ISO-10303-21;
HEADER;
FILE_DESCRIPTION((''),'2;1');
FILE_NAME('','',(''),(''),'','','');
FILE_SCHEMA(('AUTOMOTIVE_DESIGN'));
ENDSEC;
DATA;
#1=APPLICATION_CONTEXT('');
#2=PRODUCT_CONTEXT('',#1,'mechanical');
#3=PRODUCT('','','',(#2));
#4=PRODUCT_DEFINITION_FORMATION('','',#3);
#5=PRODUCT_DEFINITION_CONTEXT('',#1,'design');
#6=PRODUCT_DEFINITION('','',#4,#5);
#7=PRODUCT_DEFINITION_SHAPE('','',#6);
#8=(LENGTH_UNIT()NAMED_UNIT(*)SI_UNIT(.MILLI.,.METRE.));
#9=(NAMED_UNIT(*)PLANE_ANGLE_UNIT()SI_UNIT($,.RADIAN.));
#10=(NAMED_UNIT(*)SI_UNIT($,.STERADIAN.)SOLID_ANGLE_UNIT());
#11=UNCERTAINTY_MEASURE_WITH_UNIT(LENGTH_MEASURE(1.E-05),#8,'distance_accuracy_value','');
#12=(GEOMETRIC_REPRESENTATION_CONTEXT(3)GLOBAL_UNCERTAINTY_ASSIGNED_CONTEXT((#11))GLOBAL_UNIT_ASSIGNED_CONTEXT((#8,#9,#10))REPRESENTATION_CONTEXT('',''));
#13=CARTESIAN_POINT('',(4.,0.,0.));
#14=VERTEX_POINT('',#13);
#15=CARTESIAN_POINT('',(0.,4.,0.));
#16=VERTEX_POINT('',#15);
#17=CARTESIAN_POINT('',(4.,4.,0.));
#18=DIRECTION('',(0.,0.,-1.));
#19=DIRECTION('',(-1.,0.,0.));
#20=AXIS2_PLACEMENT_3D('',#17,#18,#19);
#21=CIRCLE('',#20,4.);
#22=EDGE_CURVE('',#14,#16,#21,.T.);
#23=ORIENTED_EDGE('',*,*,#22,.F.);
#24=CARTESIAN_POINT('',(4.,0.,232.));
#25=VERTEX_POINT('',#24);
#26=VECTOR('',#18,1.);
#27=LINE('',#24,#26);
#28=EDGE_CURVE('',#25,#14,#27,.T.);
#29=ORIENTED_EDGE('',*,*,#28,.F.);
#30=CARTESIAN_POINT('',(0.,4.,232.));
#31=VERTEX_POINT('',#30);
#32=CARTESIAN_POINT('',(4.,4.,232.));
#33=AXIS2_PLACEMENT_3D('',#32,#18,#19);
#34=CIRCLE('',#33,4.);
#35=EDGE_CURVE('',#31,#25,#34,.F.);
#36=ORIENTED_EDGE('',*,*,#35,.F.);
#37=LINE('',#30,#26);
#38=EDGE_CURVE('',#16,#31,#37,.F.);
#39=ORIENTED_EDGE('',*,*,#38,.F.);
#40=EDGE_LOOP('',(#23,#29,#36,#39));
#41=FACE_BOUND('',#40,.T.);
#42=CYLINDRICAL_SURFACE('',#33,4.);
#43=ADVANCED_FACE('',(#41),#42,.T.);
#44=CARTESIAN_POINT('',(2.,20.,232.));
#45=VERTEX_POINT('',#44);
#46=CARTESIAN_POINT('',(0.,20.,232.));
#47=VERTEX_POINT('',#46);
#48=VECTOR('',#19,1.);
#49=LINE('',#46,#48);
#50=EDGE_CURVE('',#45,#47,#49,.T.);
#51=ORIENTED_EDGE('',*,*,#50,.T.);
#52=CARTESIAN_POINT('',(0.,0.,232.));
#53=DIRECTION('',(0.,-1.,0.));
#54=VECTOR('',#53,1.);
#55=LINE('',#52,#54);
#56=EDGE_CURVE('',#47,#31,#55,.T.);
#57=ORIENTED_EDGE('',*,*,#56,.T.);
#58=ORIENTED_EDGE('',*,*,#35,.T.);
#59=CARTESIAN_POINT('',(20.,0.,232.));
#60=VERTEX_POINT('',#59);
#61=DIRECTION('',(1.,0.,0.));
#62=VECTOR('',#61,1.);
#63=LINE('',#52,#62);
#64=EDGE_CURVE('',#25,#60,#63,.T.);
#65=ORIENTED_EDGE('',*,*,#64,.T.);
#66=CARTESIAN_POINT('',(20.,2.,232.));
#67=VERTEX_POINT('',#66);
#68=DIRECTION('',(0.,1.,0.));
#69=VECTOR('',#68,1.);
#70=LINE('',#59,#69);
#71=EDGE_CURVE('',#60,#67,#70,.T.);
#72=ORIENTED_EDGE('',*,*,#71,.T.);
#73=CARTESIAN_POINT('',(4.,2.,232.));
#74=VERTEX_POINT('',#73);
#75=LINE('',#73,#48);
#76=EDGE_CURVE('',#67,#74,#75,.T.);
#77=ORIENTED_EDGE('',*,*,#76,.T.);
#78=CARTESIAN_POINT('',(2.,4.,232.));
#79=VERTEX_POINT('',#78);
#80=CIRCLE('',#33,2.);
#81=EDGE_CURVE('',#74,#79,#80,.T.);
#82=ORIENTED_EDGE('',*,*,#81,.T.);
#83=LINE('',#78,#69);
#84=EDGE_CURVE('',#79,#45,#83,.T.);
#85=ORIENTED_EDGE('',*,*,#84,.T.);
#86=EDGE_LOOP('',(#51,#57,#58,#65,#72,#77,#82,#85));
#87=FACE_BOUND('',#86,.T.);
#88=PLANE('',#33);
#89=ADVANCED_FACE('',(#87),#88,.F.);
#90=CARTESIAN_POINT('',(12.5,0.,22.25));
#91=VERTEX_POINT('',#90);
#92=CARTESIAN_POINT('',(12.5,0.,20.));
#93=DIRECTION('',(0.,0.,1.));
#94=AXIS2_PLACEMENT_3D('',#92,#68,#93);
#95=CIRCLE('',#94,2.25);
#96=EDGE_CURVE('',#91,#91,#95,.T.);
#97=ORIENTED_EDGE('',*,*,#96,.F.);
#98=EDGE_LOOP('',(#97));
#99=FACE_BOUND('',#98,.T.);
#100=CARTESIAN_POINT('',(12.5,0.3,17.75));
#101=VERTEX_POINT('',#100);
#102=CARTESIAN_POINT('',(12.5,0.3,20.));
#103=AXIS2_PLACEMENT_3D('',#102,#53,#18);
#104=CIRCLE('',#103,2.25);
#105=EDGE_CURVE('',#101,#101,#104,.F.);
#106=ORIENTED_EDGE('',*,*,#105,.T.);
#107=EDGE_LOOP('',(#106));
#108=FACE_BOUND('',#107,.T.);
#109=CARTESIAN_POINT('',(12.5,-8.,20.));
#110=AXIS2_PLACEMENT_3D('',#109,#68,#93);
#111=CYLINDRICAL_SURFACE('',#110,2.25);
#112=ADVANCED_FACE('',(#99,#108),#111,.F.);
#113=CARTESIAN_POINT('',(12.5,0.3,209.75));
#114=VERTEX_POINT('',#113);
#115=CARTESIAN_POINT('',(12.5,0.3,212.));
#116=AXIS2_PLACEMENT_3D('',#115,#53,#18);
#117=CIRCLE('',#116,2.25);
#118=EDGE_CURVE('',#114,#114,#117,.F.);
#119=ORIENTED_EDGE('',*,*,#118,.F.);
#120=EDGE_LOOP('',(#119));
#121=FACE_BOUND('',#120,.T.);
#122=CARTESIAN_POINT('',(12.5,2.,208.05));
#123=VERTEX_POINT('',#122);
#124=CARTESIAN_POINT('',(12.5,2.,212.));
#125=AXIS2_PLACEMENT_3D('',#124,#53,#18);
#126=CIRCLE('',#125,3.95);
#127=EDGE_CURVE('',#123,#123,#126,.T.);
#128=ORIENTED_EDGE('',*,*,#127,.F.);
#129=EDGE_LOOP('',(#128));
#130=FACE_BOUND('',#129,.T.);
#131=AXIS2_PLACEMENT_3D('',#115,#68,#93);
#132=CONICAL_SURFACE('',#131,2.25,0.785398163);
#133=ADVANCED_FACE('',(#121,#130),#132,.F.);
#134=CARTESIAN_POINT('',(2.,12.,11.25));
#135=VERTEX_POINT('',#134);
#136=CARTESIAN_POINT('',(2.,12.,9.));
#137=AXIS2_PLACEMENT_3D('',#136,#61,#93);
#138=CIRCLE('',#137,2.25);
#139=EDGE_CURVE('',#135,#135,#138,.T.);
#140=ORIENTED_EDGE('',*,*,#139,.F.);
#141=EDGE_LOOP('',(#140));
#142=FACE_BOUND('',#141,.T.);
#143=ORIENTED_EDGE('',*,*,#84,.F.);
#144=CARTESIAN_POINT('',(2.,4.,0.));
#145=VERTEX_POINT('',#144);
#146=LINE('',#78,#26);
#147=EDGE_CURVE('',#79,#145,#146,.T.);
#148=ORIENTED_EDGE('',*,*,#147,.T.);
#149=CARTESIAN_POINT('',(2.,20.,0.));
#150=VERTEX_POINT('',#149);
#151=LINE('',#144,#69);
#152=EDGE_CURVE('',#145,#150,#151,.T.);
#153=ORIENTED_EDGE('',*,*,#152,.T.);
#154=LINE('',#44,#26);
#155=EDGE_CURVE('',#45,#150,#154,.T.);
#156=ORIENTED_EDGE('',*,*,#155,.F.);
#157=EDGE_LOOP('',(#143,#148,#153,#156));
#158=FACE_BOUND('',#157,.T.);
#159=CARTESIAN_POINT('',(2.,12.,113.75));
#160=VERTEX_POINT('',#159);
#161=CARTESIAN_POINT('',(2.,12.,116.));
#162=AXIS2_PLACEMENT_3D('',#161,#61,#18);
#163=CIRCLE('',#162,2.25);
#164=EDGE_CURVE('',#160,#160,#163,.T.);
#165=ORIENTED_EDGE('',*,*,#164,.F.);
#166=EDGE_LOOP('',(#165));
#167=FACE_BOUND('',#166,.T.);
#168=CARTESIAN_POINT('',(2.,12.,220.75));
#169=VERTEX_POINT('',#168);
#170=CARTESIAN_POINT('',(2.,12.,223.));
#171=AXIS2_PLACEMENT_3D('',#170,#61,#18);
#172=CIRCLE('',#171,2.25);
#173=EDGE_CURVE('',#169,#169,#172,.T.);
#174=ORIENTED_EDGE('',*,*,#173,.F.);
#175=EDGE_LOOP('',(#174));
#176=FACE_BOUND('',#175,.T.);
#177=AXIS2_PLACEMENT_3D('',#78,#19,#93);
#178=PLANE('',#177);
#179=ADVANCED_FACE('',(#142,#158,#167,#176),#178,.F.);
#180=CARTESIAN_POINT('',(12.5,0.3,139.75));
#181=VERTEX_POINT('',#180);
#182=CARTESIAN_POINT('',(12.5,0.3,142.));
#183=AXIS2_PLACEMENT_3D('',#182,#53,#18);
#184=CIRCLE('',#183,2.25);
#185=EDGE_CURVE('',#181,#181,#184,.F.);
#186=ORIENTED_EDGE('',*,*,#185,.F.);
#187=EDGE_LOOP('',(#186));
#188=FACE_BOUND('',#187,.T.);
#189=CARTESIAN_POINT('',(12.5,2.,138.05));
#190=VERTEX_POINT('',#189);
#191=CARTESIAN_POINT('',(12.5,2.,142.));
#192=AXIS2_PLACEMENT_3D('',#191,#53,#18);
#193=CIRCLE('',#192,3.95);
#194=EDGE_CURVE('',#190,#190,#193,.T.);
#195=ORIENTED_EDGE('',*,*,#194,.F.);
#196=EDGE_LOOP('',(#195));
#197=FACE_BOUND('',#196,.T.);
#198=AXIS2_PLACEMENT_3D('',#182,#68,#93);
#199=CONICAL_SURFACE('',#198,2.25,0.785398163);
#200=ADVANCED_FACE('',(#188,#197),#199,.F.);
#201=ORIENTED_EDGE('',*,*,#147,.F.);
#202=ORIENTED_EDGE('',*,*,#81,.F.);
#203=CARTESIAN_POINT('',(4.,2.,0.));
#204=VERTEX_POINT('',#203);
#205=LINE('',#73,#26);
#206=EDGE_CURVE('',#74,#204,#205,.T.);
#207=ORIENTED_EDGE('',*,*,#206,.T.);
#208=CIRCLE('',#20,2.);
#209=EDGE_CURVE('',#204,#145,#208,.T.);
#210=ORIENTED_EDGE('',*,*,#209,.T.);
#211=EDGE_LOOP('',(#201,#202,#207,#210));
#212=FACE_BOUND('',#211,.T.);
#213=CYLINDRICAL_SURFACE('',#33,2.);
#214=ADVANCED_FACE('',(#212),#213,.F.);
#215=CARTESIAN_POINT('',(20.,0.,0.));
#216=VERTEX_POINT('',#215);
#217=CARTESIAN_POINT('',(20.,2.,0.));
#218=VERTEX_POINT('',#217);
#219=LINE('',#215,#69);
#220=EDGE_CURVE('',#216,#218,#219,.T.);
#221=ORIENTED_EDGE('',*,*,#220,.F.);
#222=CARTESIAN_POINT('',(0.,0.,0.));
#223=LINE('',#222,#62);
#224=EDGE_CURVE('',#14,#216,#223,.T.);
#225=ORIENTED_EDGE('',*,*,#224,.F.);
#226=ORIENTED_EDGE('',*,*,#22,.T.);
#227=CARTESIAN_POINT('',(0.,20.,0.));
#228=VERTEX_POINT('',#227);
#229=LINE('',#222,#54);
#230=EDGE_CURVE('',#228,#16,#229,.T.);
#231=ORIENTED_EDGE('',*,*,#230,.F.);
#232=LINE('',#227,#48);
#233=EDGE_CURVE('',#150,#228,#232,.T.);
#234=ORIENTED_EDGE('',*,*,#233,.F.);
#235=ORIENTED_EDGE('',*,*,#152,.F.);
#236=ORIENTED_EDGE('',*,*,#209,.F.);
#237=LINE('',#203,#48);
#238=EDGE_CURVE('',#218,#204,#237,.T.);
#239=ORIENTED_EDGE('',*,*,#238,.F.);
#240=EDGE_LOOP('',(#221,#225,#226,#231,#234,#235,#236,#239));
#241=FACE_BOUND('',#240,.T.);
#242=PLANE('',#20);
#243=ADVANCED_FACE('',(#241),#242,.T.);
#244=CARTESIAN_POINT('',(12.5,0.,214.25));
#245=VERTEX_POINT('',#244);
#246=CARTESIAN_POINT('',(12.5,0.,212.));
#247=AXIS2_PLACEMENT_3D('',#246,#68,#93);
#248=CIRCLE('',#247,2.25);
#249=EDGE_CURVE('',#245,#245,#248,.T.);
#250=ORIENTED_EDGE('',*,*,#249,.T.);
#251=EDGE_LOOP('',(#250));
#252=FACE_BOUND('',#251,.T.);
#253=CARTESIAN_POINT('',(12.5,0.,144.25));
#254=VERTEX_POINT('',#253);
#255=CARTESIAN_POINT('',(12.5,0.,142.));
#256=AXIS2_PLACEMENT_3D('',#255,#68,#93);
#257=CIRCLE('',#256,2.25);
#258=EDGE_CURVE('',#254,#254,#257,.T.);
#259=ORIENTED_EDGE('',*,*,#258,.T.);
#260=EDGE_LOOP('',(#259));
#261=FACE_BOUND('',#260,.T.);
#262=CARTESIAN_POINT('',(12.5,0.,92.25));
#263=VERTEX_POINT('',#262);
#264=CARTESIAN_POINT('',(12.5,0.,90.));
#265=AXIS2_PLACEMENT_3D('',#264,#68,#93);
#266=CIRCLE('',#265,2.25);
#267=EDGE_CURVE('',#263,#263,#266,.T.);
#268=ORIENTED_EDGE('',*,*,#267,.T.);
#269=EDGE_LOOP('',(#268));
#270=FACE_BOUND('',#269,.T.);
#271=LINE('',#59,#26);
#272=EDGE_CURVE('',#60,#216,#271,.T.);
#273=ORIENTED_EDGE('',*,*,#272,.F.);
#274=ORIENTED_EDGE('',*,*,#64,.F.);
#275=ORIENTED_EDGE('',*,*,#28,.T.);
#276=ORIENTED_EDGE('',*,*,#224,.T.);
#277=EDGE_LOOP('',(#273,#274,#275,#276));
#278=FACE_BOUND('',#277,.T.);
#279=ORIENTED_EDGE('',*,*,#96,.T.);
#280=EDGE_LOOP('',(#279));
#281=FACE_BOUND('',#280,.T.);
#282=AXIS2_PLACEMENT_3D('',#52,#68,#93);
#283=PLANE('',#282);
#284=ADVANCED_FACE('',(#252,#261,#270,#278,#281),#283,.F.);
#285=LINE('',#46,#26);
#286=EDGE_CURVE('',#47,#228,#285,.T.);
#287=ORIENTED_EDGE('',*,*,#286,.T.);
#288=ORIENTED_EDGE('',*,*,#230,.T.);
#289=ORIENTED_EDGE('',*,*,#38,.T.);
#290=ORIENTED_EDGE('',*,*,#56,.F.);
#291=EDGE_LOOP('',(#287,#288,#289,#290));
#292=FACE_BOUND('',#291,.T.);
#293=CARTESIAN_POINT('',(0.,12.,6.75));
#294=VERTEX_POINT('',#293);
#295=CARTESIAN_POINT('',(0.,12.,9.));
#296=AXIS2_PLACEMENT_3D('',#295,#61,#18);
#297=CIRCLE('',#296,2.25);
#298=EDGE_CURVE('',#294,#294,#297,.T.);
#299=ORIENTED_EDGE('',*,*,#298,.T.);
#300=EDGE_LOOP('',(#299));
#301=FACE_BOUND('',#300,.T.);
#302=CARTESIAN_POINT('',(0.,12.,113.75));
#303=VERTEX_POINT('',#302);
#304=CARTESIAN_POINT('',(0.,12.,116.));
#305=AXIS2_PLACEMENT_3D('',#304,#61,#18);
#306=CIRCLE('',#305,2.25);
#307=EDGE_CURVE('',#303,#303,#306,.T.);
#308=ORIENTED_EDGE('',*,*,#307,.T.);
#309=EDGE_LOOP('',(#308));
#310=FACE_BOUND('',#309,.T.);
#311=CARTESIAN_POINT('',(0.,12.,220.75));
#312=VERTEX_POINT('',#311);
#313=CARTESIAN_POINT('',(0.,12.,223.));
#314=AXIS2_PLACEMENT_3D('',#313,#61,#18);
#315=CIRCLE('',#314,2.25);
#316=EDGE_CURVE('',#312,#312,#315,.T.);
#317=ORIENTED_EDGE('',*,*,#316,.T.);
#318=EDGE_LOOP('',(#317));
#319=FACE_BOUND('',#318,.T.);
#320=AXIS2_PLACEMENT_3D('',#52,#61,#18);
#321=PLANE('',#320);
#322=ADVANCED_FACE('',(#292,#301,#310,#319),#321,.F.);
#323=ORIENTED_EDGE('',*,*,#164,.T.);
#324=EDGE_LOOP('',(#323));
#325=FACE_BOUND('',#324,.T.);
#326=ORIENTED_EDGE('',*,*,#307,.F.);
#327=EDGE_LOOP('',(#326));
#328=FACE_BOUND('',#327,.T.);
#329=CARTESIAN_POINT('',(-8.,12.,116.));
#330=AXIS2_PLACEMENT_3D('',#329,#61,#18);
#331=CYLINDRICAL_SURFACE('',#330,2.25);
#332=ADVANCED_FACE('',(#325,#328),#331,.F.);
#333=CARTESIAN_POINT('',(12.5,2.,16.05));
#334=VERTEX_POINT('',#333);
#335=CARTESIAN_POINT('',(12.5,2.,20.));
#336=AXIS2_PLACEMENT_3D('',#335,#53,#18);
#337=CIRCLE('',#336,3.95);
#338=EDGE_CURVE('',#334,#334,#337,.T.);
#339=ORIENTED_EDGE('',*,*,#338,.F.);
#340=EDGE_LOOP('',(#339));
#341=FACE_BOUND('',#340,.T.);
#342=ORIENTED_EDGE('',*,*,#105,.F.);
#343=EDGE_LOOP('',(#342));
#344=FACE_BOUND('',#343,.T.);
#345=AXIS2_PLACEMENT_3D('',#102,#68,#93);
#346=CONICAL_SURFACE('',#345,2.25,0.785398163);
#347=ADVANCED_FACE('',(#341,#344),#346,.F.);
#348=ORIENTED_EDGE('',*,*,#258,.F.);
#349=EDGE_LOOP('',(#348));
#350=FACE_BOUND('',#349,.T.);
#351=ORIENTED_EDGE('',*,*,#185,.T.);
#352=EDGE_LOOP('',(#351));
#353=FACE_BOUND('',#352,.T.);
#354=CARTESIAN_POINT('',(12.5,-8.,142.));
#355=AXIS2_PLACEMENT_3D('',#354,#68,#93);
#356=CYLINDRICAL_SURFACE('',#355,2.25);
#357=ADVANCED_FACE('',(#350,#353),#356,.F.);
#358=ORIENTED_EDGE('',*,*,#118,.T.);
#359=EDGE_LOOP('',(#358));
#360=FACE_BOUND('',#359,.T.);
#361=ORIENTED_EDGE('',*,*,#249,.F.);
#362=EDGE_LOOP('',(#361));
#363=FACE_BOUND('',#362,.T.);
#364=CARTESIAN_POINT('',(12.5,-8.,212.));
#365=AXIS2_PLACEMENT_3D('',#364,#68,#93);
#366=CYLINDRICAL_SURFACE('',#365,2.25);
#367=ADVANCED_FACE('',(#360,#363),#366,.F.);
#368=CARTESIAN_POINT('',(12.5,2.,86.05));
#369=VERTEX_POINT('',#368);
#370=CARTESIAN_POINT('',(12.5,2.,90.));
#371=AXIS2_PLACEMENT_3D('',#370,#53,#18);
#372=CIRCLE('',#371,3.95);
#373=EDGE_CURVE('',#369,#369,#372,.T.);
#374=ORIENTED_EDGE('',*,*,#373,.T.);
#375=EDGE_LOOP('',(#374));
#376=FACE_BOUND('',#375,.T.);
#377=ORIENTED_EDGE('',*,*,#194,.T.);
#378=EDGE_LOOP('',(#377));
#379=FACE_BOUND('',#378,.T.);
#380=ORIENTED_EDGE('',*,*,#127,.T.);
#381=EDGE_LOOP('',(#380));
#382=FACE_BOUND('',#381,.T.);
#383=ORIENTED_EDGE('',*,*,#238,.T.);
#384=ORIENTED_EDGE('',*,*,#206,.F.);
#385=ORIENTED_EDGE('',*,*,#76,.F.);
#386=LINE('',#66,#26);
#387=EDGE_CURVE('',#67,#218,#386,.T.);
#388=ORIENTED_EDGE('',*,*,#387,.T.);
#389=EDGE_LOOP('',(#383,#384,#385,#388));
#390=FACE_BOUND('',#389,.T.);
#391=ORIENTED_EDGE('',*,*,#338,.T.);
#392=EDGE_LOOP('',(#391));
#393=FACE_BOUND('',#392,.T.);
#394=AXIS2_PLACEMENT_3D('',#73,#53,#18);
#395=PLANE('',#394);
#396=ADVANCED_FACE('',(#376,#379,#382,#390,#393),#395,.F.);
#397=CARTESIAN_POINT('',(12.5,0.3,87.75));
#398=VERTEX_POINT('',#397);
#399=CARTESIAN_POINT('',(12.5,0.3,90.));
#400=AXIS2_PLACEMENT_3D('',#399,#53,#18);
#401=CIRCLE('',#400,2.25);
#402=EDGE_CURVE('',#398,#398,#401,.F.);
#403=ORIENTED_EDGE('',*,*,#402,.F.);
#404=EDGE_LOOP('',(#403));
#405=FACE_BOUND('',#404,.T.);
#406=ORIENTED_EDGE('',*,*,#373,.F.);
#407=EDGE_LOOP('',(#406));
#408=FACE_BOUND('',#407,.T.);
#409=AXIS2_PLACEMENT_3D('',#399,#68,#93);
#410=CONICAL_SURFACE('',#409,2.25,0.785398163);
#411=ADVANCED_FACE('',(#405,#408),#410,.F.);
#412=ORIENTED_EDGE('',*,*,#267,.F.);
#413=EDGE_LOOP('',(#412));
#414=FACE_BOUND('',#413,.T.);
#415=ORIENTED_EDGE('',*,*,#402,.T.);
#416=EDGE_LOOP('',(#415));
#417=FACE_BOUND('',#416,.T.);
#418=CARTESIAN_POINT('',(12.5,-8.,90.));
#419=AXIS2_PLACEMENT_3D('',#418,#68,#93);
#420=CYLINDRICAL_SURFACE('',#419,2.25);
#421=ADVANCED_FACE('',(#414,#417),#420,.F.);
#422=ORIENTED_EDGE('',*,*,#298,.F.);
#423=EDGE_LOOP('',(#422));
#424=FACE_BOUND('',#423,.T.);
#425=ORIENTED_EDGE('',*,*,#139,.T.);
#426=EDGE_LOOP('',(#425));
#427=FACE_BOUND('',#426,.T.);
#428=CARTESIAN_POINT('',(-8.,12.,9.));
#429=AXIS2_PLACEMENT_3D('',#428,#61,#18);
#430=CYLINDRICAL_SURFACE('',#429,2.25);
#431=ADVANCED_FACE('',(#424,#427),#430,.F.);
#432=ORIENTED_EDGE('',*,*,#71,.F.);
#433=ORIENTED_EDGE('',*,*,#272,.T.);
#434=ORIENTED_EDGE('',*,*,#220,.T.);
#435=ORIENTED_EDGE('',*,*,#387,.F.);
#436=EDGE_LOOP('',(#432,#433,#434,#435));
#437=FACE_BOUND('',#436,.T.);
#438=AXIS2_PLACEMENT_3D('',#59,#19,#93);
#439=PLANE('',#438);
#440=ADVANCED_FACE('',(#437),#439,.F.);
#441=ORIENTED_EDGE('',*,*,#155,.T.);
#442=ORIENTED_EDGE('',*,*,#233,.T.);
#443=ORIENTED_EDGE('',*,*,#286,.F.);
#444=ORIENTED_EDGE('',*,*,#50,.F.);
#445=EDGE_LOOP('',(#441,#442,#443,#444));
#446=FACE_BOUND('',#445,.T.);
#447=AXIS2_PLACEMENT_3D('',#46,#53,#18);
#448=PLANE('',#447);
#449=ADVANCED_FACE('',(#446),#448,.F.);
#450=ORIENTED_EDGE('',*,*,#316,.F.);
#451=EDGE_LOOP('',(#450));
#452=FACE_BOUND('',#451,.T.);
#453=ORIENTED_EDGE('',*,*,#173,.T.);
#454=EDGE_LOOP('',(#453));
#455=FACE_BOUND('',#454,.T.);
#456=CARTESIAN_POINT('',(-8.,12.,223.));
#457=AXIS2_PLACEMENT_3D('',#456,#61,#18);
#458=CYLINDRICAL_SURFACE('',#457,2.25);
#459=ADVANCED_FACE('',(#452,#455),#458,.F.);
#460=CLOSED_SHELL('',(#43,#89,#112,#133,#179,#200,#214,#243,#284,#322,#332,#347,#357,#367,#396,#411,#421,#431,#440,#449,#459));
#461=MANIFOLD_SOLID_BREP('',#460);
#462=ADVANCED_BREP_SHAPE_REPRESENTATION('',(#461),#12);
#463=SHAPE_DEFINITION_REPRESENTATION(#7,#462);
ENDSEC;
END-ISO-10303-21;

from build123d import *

# Parameters (mm, degrees)
EXTRUDE_1_DEPTH     = 232
SKETCH_2_R          = 2.25
CUT_EXTRUDE_1_DEPTH = 10
SKETCH_3_R          = 2.25
CUT_EXTRUDE_2_DEPTH = 10
CHAMFER_1_SIZE      = 1.7
FILLET_1_R          = 4


with BuildPart() as part:
    # Эскиз1 → Вытянуть1 (new body)
    with BuildSketch(Plane.XY):
        with BuildLine():
            Line((0, 0), (20, 0))
            Line((20, 0), (20, 2))
            Line((20, 2), (4, 2))
            ThreePointArc((4, 2), (2.585786438, 2.585786438), (2, 4))
            Line((2, 4), (2, 20))
            Line((2, 20), (0, 20))
            Line((0, 20), (0, 0))
        make_face()
    extrude(amount=EXTRUDE_1_DEPTH)

    # Эскиз2 → Вырез-Вытянуть1 (cut)
    with BuildSketch(Plane(origin=(2, 0, 0), x_dir=(0, 0, -1), z_dir=(1, 0, 0))):
        with Locations((-223, 12)):
            Circle(SKETCH_2_R)
        with Locations((-9, 12)):
            Circle(SKETCH_2_R)
        with Locations((-116, 12)):
            Circle(SKETCH_2_R)
    extrude(amount=-CUT_EXTRUDE_1_DEPTH, mode=Mode.SUBTRACT)

    # Эскиз3 → Вырез-Вытянуть2 (cut)
    with BuildSketch(Plane(origin=(0, 2, 0), x_dir=(1, 0, 0), z_dir=(0, 1, 0))):
        with Locations(Location((12.5, -212, 0), (0, 0, 270))):
            Circle(SKETCH_3_R)
        with Locations(Location((12.5, -142, 0), (0, 0, 270))):
            Circle(SKETCH_3_R)
        with Locations(Location((12.5, -20, 0), (0, 0, 270))):
            Circle(SKETCH_3_R)
        with Locations(Location((12.5, -90, 0), (0, 0, 270))):
            Circle(SKETCH_3_R)
    extrude(amount=-CUT_EXTRUDE_2_DEPTH, mode=Mode.SUBTRACT)

    # Фаска1
    chamfer_1_edges = [part.edges().sort_by_distance(p)[0] for p in [
        (12.5, 2, 209.75),
        (12.5, 2, 139.75),
        (12.5, 2, 17.75),
        (12.5, 2, 87.75),
    ]]
    chamfer(chamfer_1_edges, length=CHAMFER_1_SIZE)

    # Скругление1
    fillet_1_edges = [part.edges().sort_by_distance(p)[0] for p in [
        (0, 0, 116),
    ]]
    fillet(fillet_1_edges, radius=FILLET_1_R)


solid = part.part
